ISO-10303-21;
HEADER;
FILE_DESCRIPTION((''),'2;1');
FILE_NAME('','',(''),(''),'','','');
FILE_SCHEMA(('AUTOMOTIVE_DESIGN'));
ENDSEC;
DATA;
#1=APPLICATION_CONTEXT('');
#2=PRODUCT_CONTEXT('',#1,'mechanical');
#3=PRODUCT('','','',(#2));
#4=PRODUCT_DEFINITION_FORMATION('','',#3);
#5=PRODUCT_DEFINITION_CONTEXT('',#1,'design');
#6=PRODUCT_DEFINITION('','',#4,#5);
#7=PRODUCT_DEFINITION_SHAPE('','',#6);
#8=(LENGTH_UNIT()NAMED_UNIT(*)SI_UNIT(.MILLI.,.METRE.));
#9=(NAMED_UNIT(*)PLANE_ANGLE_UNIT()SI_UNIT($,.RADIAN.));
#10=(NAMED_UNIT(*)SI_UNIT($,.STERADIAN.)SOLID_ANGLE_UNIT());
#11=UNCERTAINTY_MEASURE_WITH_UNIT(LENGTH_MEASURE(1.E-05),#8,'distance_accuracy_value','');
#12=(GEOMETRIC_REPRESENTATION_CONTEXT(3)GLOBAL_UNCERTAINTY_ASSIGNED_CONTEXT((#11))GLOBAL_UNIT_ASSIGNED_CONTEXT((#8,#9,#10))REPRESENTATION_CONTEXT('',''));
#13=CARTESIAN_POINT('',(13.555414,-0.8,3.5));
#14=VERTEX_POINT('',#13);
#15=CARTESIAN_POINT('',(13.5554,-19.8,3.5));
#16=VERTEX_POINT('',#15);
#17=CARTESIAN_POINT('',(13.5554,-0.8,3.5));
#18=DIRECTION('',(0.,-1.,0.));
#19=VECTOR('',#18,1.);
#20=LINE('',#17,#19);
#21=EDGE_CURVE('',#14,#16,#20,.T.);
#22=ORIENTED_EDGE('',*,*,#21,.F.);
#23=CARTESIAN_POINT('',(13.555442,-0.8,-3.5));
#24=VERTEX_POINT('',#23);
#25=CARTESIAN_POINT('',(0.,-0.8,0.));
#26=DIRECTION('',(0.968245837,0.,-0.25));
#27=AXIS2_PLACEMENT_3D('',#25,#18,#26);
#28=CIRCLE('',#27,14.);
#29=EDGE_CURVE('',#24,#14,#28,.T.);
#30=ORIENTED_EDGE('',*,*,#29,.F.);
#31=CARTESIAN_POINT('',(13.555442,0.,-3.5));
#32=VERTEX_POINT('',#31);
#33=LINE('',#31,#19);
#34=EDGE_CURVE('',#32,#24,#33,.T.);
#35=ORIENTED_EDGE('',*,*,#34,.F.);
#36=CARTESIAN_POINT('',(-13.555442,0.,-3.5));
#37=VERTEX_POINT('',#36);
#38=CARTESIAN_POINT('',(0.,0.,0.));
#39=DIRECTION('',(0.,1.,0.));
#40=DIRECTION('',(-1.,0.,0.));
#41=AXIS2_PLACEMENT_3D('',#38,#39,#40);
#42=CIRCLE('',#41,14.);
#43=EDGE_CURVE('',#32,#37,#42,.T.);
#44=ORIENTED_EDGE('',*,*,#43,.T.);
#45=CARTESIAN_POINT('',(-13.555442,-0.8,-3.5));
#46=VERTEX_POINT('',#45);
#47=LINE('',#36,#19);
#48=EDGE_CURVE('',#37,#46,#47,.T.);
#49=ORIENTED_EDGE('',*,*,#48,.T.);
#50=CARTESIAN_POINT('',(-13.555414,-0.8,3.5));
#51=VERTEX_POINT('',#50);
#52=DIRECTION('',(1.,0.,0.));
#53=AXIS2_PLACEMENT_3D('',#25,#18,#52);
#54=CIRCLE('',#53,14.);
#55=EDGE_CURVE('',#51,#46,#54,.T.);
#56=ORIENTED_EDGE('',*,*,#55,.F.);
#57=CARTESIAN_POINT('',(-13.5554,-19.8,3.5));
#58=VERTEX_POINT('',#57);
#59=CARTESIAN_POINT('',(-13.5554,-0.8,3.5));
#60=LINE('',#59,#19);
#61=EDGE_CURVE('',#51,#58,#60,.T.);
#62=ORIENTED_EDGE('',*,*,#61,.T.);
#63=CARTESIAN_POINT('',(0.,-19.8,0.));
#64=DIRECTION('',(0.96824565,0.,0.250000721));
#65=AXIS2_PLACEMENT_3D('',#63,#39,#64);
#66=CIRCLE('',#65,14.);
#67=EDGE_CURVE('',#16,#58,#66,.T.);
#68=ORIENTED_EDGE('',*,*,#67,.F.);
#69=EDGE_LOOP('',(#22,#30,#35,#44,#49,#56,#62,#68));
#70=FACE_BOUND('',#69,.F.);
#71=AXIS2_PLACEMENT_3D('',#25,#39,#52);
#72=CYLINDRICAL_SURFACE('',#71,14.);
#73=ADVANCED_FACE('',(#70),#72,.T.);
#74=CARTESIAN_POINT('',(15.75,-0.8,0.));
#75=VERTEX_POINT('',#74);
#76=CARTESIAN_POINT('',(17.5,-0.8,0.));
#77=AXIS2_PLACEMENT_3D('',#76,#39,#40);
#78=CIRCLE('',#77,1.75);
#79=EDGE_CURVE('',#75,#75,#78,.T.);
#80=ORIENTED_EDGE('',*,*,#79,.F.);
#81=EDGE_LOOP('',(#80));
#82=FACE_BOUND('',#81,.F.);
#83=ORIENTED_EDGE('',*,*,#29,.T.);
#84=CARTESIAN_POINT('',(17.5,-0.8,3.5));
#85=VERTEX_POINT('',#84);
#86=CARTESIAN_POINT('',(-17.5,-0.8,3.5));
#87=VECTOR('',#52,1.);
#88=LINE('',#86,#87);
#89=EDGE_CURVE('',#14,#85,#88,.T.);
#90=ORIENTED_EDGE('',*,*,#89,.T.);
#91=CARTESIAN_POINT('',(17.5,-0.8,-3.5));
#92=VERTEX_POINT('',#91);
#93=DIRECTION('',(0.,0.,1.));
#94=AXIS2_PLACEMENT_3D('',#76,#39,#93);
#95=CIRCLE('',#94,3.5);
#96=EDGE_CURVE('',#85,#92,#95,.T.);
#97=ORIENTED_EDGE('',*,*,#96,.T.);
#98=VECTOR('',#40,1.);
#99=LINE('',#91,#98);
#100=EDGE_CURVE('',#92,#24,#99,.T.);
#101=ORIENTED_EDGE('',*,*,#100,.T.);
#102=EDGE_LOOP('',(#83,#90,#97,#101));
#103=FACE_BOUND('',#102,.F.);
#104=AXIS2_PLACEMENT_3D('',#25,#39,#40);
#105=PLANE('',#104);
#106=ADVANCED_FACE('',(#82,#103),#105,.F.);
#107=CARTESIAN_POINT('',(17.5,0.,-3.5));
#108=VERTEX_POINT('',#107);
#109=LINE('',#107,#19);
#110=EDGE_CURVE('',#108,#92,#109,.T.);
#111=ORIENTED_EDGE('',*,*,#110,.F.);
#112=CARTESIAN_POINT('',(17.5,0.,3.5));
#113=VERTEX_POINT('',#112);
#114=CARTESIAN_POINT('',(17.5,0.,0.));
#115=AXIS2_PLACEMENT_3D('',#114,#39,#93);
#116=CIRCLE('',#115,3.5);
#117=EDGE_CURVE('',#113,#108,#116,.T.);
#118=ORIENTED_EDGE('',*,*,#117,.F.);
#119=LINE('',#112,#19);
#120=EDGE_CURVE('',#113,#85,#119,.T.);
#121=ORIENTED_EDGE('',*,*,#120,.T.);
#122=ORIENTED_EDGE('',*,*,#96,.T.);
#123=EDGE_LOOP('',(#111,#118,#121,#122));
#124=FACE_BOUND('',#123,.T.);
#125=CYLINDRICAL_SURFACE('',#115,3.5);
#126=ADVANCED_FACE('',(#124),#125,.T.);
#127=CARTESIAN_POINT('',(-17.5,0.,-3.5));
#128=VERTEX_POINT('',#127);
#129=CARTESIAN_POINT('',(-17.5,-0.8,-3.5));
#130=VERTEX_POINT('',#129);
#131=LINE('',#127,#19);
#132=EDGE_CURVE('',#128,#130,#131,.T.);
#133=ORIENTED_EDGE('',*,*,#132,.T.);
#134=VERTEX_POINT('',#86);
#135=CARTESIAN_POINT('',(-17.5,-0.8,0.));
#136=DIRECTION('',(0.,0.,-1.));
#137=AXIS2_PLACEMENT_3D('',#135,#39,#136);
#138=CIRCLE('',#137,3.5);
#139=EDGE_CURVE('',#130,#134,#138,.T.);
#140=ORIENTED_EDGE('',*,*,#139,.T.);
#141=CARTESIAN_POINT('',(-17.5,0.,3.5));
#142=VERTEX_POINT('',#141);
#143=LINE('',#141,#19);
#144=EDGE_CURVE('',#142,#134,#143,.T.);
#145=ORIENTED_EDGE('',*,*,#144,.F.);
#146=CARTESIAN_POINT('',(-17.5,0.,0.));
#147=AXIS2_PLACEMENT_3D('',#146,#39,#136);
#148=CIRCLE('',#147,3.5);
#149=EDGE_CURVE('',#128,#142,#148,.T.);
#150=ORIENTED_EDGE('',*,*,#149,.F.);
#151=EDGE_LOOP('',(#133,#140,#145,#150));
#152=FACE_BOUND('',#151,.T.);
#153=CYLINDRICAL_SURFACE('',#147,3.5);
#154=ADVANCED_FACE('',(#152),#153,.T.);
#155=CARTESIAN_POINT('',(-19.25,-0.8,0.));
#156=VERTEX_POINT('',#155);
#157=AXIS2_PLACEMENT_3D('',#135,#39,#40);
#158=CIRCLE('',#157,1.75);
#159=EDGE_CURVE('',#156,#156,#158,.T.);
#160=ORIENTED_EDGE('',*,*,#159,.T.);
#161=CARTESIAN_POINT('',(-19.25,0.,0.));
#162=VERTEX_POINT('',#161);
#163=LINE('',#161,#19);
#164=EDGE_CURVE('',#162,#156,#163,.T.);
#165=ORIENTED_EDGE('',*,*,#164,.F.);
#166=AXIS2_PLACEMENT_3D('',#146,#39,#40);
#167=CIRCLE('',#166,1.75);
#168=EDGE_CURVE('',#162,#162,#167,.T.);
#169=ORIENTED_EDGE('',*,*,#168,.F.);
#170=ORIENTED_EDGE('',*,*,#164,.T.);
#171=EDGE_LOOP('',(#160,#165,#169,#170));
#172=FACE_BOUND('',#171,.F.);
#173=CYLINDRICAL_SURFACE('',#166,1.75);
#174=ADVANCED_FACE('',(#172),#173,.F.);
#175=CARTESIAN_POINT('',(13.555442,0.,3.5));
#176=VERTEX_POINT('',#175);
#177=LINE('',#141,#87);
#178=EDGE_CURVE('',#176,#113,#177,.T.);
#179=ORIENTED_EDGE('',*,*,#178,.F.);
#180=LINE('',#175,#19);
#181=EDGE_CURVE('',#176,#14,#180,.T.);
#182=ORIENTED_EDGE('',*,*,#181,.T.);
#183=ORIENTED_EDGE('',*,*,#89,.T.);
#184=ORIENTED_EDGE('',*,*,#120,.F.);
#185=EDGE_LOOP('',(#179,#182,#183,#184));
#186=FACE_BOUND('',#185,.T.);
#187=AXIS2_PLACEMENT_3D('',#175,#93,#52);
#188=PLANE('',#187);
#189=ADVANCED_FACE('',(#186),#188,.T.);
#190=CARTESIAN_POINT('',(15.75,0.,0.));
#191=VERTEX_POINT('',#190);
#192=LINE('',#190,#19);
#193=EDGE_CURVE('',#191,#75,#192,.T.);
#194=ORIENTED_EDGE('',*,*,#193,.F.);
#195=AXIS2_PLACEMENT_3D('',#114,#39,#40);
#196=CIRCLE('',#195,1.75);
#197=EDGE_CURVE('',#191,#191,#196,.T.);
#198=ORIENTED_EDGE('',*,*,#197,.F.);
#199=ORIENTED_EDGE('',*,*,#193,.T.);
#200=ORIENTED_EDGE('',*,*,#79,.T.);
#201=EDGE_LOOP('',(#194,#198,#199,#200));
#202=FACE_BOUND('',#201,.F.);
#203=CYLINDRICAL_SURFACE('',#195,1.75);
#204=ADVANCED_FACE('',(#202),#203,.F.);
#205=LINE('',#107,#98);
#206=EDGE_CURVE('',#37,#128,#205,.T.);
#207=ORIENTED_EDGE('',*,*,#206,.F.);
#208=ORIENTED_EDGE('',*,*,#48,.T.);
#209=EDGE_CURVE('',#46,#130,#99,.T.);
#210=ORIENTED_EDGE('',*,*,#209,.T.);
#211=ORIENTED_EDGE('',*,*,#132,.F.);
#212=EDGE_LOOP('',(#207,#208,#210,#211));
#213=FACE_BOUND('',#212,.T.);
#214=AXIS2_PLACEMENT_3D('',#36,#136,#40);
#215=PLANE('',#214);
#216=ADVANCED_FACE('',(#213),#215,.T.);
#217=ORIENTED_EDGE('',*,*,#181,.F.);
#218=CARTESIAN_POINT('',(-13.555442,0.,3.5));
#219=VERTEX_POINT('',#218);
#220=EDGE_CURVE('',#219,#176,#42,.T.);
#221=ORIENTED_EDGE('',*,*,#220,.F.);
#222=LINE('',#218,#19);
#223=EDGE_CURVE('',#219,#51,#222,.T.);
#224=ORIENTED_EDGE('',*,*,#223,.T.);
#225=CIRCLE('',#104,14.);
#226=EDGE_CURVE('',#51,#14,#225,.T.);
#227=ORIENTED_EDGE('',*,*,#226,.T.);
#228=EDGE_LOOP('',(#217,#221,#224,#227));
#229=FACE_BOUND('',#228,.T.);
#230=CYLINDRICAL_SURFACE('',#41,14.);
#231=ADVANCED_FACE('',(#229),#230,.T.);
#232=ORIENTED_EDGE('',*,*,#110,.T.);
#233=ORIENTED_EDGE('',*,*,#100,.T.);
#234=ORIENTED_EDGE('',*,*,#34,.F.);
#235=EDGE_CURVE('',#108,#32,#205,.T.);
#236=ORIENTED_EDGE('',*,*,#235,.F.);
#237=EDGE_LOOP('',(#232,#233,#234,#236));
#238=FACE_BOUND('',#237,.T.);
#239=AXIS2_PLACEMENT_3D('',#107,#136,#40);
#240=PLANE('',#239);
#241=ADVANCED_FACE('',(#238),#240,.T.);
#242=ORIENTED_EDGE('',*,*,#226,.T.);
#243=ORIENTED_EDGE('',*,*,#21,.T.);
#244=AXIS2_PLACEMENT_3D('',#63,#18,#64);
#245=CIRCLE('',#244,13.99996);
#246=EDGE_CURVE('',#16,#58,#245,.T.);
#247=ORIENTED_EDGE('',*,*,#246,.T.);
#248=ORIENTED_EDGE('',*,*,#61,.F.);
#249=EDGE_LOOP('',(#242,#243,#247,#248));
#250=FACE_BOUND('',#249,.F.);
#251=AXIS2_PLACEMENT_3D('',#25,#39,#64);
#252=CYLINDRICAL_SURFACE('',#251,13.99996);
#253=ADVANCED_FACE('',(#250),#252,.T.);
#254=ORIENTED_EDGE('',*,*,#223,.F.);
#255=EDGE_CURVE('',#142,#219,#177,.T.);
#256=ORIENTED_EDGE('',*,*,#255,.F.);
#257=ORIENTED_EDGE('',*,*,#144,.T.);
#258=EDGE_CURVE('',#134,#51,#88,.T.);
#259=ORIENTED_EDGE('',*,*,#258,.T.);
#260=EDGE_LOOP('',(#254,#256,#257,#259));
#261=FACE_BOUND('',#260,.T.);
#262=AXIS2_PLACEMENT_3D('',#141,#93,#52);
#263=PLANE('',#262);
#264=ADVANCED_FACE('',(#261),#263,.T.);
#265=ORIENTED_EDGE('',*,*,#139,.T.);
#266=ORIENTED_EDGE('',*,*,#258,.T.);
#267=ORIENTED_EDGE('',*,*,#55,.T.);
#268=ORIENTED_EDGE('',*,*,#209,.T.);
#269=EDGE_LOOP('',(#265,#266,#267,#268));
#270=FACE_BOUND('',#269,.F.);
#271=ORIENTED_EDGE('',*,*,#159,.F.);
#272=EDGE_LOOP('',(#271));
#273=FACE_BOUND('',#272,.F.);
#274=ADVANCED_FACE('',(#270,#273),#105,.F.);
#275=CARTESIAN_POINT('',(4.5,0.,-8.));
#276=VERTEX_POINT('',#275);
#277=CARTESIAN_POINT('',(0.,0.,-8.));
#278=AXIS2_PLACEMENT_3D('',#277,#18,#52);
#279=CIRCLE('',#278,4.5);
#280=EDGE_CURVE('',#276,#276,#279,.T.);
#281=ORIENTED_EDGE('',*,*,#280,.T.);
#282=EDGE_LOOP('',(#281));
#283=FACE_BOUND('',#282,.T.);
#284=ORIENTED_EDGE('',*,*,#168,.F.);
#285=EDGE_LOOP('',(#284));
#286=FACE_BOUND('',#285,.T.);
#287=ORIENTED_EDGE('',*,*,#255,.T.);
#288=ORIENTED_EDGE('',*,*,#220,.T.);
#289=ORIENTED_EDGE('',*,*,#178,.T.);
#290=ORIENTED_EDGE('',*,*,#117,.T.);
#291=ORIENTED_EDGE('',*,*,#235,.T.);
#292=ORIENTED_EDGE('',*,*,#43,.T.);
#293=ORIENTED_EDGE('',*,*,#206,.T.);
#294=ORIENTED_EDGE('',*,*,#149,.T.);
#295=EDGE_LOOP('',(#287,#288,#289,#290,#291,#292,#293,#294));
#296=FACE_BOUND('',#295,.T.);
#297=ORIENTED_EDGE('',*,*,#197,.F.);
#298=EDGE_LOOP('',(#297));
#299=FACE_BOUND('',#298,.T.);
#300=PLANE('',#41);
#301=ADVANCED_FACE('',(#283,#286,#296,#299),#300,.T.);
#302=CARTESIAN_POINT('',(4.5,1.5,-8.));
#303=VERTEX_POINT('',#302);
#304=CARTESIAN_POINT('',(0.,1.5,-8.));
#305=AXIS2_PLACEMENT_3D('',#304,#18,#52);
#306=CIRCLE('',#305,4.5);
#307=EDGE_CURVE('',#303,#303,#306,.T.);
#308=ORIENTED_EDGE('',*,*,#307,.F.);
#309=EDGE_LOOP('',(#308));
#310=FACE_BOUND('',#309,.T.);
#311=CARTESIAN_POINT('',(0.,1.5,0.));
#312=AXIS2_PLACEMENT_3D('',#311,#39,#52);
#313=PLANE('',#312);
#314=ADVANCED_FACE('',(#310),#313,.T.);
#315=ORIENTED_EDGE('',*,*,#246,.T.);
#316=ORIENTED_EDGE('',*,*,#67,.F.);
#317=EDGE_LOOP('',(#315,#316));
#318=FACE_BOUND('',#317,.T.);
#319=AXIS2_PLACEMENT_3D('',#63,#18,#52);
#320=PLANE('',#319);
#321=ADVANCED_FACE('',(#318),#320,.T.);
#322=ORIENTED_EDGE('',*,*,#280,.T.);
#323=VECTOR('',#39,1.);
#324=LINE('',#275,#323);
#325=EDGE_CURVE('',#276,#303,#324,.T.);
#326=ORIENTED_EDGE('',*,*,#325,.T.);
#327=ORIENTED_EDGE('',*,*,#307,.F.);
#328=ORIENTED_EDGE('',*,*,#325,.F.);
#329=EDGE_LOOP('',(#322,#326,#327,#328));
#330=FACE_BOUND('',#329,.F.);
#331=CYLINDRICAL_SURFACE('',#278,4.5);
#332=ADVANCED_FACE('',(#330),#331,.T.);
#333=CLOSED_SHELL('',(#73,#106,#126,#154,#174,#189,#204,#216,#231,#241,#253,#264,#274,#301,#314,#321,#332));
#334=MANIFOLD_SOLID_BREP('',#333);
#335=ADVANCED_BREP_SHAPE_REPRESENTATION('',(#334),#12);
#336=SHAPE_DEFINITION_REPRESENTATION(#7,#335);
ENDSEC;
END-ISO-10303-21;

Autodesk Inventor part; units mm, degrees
ref_plane "YZ Plane" through (0, 0, 0) normal (1, 0, 0) x (0, 1, 0)
ref_plane "XZ Plane" through (0, 0, 0) normal (0, 1, 0) x (-1, 0, 0)
ref_plane "XY Plane" through (0, 0, 0) normal (0, 0, 1) x (1, 0, 0)
sketch "Sketch1" plane through (0, 0, 0) normal (0, 1, 0) x (-1, 0, 0)
  line L0 (17.5, 0) -> (-17.5, 0) construction
  line L1 (17.5, 3.5) -> (-17.5, 3.5)
  line L2 (-17.5, -3.5) -> (17.5, -3.5)
  arc A0 (17.5, -3.5) -> (17.5, 3.5) centre (17.5, 0) ccw
  arc A1 (-17.5, 3.5) -> (-17.5, -3.5) centre (-17.5, 0) ccw
  circle A2 centre (-17.5, 0) radius 1.75
  circle A3 centre (17.5, 0) radius 1.75
  circle A4 centre (0, 0) radius 14
  dimension "d0" = 17.5
  dimension "d1" = 7
  dimension "d2" = 3.5
  dimension "d3" = 3.5
  dimension "d4" = 28
extrude "Extrusion1" add sketch "Sketch1" against normal blind 0.8
sketch "Sketch2" plane through (0, 0, 0) normal (0, 1, 0) x (1, 0, 0)
  arc A0 (-13.5554, -3.5) -> (13.5554, -3.5) centre (0, 0) ccw projected
  line L0 (17.5, 3.5) -> (13.5554, 3.5) projected
  line L1 (0, 0) -> (0, 8)
  line L2 (0, 0) -> (8, 0) construction
  circle A1 centre (0, 8) radius 4.5
  dimension "d7" = 8
  dimension "d8" = 90
  dimension "d9" = 9
extrude "Extrusion2" add sketch "Sketch2" along normal blind 1.5
sketch "Sketch3" plane through (0, 1.5, -8) normal (0, 1, 0) x (1, 0, 0)
  circle A0 centre (0, 0) radius 4.5 projected
  circle A1 centre (0, 0) radius 2.5
  point P0 (0, -8)
  dimension "d12" = 5
extrude "Extrusion3" [suppressed]
sketch "Sketch4" plane through (0, 4, -8) normal (0, 1, 0) x (1, 0, 0)
  circle A0 centre (0, 0) radius 2.5 projected
  line L0 (2, -1.5) -> (-2, -1.5)
  line L1 (-2, -1.5) -> (-2, 1.5)
  line L2 (-2, 1.5) -> (2, 1.5)
  line L3 (2, 1.5) -> (2, -1.5)
  line L4 (2, -1.5) -> (-2, 1.5) construction
  line L5 (-2, -1.5) -> (2, 1.5) construction
  arc A1 (-2, 1.5) -> (-2, -1.5) centre (0, 0) ccw
  arc A2 (2, 1.5) -> (-2, 1.5) centre (0, 0) ccw
  arc A3 (2, -1.5) -> (2, 1.5) centre (0, 0) ccw
  arc A4 (-2, -1.5) -> (2, -1.5) centre (0, 0) ccw
  point P0 (0, -8)
  dimension "d15" = 3
extrude "Extrusion4" [suppressed]
sketch "Sketch5" plane through (0, -0.8, 0) normal (0, -1, 0) x (1, 0, 0)
  arc A0 (13.5554, 3.5) -> (-13.5554, 3.5) centre (0, 0) ccw projected
  circle A1 centre (0, 0) radius 14
  dimension "d18" = 28
extrude "Extrusion5" add sketch "Sketch5" along normal blind 19
equation "\"d0\" = 0.5 * stepper_screw_space"
equation "\"wood_thickness\" = 5.08"
equation "\"m3_diameter\" = 3.15"
equation "\"m5_diameter\" = 5.25"
equation "\"stepper_screw_space\" = 35"
equation "\"stepper_shaft_diameter\" = 5"
equation "\"stepper_body_diameter\" = 28"
equation "\"laser_body_diameter\" = 12"
properties part number "small_stepper" material "Bronze, Cast"
